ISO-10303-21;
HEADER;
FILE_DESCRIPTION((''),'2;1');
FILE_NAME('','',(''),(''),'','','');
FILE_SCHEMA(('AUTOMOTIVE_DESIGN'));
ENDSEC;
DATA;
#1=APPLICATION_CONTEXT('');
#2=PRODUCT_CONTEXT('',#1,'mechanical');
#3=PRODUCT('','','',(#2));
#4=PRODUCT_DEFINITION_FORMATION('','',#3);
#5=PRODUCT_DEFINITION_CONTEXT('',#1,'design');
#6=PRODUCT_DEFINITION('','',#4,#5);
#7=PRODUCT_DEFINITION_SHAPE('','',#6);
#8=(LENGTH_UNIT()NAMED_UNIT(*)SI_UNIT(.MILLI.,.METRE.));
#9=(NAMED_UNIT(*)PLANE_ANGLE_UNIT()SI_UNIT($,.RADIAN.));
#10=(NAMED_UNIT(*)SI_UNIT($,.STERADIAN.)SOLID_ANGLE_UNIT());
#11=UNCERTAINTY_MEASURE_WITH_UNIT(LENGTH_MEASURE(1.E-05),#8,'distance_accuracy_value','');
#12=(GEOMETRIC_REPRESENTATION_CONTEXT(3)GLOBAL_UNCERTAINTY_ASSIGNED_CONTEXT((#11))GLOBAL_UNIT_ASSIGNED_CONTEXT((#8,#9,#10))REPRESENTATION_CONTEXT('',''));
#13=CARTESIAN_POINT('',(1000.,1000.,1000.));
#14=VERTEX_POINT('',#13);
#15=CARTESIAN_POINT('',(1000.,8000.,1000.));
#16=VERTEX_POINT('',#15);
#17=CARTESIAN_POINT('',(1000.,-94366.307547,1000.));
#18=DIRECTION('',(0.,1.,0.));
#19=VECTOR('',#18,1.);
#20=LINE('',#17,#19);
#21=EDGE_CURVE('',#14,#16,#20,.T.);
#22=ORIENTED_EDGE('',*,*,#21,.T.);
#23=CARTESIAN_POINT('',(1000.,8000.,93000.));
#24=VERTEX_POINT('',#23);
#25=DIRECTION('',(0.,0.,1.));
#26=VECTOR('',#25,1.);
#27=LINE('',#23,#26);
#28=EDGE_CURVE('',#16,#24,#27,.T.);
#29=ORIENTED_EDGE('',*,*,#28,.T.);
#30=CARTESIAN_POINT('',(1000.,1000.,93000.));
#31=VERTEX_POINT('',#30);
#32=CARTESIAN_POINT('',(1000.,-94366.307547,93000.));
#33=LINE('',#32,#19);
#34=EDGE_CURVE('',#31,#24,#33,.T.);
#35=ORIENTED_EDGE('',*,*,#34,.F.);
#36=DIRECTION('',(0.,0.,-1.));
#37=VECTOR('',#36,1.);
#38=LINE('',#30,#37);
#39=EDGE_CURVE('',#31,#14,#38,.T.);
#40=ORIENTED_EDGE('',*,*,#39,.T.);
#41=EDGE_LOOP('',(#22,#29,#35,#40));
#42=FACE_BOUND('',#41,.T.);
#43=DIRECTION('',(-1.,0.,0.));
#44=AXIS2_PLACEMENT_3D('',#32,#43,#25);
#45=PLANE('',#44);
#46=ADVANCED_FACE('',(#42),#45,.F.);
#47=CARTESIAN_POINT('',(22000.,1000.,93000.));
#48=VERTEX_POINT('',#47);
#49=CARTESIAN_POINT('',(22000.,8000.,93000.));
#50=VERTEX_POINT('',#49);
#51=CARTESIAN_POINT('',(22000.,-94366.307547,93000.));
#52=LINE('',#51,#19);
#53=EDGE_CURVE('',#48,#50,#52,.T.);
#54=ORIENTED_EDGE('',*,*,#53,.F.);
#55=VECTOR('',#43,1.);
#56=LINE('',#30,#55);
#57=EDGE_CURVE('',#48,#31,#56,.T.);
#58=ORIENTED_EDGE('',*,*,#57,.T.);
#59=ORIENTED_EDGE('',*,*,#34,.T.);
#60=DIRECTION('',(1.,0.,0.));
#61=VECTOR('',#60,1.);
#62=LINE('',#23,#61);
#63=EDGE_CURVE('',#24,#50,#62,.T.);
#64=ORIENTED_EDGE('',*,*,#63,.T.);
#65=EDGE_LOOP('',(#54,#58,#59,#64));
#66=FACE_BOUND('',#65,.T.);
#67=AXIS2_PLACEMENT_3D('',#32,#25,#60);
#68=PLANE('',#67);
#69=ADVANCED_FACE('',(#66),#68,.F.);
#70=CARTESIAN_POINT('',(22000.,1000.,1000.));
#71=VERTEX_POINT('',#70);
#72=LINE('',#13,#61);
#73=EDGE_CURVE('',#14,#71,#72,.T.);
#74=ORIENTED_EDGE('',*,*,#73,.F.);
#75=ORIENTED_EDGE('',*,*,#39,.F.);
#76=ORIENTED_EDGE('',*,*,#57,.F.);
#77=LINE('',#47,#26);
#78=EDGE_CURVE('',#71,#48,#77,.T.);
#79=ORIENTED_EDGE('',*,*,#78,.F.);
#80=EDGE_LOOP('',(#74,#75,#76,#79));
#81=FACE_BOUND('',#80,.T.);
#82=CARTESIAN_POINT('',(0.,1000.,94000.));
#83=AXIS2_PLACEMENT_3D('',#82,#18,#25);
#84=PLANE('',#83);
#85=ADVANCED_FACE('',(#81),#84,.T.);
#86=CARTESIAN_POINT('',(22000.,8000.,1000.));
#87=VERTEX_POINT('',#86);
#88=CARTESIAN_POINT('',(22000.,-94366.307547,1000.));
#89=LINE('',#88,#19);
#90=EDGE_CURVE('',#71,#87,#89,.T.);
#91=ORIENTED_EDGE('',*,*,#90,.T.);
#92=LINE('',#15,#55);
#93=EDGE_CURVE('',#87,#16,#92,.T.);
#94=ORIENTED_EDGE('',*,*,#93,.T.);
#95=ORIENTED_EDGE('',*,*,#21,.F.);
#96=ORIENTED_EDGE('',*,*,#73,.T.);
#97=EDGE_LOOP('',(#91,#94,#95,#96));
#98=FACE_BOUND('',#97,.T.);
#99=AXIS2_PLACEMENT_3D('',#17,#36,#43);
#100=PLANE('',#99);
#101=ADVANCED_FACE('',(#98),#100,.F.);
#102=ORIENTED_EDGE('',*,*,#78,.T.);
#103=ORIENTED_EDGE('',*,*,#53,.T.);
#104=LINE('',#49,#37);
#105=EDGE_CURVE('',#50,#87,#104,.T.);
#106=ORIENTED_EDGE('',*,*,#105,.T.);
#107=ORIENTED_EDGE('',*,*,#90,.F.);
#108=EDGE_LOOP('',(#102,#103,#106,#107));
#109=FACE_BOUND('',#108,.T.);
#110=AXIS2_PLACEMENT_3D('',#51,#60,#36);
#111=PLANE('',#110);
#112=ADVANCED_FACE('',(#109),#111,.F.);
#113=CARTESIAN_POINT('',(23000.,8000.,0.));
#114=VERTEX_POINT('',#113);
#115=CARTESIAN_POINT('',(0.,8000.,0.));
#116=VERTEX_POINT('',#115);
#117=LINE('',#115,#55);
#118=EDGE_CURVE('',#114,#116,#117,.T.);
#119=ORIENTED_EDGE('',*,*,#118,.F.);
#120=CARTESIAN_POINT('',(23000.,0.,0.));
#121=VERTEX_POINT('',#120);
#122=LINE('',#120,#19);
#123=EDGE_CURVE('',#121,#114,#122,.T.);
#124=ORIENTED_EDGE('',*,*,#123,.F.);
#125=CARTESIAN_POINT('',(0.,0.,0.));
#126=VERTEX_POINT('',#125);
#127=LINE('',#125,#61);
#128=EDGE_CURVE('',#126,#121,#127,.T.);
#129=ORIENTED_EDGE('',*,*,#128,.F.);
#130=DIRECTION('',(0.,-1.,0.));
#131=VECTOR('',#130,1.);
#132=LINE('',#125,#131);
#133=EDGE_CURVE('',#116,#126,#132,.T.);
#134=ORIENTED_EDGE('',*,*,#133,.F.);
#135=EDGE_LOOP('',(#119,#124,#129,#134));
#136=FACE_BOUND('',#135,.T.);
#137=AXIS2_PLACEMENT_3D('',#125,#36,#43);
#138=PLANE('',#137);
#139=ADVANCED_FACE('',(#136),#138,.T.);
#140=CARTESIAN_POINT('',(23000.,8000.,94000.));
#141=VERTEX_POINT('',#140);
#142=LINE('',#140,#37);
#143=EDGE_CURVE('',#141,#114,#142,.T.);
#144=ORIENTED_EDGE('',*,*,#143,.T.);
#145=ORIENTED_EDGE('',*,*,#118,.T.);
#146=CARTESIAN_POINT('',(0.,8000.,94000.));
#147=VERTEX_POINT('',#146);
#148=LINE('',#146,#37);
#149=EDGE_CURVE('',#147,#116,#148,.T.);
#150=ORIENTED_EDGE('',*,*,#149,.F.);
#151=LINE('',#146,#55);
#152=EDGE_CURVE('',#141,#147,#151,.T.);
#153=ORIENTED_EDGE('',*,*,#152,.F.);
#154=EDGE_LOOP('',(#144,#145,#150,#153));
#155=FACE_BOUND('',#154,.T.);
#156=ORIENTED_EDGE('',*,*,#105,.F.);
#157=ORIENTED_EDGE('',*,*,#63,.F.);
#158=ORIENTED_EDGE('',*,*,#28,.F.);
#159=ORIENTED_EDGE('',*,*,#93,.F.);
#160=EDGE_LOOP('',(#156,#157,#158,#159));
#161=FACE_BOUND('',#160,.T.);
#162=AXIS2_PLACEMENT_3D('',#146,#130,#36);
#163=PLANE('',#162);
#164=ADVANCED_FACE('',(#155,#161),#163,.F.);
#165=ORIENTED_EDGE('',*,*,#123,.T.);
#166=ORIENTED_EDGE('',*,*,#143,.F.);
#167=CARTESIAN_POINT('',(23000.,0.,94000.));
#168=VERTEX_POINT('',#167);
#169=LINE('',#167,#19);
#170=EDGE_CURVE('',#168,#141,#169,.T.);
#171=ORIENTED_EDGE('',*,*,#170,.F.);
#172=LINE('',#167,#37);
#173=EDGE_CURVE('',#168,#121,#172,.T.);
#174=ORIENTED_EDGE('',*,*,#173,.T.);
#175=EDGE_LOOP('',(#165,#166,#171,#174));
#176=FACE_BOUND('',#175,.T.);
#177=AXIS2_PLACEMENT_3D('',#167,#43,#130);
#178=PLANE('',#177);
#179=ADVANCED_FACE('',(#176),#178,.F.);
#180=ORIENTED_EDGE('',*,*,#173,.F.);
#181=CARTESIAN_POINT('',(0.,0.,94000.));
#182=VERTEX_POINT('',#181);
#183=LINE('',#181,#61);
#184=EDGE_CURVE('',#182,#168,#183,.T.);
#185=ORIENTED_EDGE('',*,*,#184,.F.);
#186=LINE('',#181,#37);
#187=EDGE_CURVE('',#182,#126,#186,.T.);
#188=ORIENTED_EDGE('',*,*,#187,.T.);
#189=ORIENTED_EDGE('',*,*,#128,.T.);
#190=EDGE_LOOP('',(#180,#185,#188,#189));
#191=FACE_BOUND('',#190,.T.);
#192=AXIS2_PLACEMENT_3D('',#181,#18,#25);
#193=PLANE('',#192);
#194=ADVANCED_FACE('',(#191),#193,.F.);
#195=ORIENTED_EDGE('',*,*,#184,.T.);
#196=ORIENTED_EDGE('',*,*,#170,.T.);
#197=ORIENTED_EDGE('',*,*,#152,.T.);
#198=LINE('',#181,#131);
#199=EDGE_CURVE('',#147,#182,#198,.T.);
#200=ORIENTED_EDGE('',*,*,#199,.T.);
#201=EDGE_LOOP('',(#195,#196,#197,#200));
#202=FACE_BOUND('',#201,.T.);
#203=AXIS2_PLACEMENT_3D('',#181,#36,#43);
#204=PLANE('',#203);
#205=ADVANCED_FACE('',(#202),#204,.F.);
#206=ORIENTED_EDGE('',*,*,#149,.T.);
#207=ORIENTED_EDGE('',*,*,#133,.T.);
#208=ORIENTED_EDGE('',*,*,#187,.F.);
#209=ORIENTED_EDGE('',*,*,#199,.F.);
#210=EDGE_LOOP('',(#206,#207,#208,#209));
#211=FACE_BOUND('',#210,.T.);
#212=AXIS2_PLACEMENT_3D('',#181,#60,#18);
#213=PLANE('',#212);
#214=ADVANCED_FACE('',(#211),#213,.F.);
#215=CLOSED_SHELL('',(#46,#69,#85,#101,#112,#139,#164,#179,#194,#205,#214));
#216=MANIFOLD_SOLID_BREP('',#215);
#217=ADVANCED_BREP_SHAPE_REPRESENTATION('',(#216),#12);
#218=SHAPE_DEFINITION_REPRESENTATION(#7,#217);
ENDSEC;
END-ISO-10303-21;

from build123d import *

# Parameters (mm, degrees)
SKETCH1_W           = 23000
SKETCH1_H           = 8000
BOSS_EXTRUDE2_DEPTH = 94000
SKETCH2_W           = 21000
SKETCH2_H           = 92000
CUT_EXTRUDE1_DEPTH  = 7000


with BuildPart() as part:
    # Sketch1 → Boss-Extrude2 (new body)
    with BuildSketch(Plane.XY):
        with Locations((11500, 4000)):
            Rectangle(SKETCH1_W, SKETCH1_H)
    extrude(amount=BOSS_EXTRUDE2_DEPTH)

    # Sketch2 → Cut-Extrude1 (cut)
    with BuildSketch(Plane(origin=(0, 8000, 0), x_dir=(1, 0, 0), z_dir=(0, 1, 0))):
        with Locations((11500, -47000)):
            Rectangle(SKETCH2_W, SKETCH2_H)
    extrude(amount=-CUT_EXTRUDE1_DEPTH, mode=Mode.SUBTRACT)


solid = part.part
